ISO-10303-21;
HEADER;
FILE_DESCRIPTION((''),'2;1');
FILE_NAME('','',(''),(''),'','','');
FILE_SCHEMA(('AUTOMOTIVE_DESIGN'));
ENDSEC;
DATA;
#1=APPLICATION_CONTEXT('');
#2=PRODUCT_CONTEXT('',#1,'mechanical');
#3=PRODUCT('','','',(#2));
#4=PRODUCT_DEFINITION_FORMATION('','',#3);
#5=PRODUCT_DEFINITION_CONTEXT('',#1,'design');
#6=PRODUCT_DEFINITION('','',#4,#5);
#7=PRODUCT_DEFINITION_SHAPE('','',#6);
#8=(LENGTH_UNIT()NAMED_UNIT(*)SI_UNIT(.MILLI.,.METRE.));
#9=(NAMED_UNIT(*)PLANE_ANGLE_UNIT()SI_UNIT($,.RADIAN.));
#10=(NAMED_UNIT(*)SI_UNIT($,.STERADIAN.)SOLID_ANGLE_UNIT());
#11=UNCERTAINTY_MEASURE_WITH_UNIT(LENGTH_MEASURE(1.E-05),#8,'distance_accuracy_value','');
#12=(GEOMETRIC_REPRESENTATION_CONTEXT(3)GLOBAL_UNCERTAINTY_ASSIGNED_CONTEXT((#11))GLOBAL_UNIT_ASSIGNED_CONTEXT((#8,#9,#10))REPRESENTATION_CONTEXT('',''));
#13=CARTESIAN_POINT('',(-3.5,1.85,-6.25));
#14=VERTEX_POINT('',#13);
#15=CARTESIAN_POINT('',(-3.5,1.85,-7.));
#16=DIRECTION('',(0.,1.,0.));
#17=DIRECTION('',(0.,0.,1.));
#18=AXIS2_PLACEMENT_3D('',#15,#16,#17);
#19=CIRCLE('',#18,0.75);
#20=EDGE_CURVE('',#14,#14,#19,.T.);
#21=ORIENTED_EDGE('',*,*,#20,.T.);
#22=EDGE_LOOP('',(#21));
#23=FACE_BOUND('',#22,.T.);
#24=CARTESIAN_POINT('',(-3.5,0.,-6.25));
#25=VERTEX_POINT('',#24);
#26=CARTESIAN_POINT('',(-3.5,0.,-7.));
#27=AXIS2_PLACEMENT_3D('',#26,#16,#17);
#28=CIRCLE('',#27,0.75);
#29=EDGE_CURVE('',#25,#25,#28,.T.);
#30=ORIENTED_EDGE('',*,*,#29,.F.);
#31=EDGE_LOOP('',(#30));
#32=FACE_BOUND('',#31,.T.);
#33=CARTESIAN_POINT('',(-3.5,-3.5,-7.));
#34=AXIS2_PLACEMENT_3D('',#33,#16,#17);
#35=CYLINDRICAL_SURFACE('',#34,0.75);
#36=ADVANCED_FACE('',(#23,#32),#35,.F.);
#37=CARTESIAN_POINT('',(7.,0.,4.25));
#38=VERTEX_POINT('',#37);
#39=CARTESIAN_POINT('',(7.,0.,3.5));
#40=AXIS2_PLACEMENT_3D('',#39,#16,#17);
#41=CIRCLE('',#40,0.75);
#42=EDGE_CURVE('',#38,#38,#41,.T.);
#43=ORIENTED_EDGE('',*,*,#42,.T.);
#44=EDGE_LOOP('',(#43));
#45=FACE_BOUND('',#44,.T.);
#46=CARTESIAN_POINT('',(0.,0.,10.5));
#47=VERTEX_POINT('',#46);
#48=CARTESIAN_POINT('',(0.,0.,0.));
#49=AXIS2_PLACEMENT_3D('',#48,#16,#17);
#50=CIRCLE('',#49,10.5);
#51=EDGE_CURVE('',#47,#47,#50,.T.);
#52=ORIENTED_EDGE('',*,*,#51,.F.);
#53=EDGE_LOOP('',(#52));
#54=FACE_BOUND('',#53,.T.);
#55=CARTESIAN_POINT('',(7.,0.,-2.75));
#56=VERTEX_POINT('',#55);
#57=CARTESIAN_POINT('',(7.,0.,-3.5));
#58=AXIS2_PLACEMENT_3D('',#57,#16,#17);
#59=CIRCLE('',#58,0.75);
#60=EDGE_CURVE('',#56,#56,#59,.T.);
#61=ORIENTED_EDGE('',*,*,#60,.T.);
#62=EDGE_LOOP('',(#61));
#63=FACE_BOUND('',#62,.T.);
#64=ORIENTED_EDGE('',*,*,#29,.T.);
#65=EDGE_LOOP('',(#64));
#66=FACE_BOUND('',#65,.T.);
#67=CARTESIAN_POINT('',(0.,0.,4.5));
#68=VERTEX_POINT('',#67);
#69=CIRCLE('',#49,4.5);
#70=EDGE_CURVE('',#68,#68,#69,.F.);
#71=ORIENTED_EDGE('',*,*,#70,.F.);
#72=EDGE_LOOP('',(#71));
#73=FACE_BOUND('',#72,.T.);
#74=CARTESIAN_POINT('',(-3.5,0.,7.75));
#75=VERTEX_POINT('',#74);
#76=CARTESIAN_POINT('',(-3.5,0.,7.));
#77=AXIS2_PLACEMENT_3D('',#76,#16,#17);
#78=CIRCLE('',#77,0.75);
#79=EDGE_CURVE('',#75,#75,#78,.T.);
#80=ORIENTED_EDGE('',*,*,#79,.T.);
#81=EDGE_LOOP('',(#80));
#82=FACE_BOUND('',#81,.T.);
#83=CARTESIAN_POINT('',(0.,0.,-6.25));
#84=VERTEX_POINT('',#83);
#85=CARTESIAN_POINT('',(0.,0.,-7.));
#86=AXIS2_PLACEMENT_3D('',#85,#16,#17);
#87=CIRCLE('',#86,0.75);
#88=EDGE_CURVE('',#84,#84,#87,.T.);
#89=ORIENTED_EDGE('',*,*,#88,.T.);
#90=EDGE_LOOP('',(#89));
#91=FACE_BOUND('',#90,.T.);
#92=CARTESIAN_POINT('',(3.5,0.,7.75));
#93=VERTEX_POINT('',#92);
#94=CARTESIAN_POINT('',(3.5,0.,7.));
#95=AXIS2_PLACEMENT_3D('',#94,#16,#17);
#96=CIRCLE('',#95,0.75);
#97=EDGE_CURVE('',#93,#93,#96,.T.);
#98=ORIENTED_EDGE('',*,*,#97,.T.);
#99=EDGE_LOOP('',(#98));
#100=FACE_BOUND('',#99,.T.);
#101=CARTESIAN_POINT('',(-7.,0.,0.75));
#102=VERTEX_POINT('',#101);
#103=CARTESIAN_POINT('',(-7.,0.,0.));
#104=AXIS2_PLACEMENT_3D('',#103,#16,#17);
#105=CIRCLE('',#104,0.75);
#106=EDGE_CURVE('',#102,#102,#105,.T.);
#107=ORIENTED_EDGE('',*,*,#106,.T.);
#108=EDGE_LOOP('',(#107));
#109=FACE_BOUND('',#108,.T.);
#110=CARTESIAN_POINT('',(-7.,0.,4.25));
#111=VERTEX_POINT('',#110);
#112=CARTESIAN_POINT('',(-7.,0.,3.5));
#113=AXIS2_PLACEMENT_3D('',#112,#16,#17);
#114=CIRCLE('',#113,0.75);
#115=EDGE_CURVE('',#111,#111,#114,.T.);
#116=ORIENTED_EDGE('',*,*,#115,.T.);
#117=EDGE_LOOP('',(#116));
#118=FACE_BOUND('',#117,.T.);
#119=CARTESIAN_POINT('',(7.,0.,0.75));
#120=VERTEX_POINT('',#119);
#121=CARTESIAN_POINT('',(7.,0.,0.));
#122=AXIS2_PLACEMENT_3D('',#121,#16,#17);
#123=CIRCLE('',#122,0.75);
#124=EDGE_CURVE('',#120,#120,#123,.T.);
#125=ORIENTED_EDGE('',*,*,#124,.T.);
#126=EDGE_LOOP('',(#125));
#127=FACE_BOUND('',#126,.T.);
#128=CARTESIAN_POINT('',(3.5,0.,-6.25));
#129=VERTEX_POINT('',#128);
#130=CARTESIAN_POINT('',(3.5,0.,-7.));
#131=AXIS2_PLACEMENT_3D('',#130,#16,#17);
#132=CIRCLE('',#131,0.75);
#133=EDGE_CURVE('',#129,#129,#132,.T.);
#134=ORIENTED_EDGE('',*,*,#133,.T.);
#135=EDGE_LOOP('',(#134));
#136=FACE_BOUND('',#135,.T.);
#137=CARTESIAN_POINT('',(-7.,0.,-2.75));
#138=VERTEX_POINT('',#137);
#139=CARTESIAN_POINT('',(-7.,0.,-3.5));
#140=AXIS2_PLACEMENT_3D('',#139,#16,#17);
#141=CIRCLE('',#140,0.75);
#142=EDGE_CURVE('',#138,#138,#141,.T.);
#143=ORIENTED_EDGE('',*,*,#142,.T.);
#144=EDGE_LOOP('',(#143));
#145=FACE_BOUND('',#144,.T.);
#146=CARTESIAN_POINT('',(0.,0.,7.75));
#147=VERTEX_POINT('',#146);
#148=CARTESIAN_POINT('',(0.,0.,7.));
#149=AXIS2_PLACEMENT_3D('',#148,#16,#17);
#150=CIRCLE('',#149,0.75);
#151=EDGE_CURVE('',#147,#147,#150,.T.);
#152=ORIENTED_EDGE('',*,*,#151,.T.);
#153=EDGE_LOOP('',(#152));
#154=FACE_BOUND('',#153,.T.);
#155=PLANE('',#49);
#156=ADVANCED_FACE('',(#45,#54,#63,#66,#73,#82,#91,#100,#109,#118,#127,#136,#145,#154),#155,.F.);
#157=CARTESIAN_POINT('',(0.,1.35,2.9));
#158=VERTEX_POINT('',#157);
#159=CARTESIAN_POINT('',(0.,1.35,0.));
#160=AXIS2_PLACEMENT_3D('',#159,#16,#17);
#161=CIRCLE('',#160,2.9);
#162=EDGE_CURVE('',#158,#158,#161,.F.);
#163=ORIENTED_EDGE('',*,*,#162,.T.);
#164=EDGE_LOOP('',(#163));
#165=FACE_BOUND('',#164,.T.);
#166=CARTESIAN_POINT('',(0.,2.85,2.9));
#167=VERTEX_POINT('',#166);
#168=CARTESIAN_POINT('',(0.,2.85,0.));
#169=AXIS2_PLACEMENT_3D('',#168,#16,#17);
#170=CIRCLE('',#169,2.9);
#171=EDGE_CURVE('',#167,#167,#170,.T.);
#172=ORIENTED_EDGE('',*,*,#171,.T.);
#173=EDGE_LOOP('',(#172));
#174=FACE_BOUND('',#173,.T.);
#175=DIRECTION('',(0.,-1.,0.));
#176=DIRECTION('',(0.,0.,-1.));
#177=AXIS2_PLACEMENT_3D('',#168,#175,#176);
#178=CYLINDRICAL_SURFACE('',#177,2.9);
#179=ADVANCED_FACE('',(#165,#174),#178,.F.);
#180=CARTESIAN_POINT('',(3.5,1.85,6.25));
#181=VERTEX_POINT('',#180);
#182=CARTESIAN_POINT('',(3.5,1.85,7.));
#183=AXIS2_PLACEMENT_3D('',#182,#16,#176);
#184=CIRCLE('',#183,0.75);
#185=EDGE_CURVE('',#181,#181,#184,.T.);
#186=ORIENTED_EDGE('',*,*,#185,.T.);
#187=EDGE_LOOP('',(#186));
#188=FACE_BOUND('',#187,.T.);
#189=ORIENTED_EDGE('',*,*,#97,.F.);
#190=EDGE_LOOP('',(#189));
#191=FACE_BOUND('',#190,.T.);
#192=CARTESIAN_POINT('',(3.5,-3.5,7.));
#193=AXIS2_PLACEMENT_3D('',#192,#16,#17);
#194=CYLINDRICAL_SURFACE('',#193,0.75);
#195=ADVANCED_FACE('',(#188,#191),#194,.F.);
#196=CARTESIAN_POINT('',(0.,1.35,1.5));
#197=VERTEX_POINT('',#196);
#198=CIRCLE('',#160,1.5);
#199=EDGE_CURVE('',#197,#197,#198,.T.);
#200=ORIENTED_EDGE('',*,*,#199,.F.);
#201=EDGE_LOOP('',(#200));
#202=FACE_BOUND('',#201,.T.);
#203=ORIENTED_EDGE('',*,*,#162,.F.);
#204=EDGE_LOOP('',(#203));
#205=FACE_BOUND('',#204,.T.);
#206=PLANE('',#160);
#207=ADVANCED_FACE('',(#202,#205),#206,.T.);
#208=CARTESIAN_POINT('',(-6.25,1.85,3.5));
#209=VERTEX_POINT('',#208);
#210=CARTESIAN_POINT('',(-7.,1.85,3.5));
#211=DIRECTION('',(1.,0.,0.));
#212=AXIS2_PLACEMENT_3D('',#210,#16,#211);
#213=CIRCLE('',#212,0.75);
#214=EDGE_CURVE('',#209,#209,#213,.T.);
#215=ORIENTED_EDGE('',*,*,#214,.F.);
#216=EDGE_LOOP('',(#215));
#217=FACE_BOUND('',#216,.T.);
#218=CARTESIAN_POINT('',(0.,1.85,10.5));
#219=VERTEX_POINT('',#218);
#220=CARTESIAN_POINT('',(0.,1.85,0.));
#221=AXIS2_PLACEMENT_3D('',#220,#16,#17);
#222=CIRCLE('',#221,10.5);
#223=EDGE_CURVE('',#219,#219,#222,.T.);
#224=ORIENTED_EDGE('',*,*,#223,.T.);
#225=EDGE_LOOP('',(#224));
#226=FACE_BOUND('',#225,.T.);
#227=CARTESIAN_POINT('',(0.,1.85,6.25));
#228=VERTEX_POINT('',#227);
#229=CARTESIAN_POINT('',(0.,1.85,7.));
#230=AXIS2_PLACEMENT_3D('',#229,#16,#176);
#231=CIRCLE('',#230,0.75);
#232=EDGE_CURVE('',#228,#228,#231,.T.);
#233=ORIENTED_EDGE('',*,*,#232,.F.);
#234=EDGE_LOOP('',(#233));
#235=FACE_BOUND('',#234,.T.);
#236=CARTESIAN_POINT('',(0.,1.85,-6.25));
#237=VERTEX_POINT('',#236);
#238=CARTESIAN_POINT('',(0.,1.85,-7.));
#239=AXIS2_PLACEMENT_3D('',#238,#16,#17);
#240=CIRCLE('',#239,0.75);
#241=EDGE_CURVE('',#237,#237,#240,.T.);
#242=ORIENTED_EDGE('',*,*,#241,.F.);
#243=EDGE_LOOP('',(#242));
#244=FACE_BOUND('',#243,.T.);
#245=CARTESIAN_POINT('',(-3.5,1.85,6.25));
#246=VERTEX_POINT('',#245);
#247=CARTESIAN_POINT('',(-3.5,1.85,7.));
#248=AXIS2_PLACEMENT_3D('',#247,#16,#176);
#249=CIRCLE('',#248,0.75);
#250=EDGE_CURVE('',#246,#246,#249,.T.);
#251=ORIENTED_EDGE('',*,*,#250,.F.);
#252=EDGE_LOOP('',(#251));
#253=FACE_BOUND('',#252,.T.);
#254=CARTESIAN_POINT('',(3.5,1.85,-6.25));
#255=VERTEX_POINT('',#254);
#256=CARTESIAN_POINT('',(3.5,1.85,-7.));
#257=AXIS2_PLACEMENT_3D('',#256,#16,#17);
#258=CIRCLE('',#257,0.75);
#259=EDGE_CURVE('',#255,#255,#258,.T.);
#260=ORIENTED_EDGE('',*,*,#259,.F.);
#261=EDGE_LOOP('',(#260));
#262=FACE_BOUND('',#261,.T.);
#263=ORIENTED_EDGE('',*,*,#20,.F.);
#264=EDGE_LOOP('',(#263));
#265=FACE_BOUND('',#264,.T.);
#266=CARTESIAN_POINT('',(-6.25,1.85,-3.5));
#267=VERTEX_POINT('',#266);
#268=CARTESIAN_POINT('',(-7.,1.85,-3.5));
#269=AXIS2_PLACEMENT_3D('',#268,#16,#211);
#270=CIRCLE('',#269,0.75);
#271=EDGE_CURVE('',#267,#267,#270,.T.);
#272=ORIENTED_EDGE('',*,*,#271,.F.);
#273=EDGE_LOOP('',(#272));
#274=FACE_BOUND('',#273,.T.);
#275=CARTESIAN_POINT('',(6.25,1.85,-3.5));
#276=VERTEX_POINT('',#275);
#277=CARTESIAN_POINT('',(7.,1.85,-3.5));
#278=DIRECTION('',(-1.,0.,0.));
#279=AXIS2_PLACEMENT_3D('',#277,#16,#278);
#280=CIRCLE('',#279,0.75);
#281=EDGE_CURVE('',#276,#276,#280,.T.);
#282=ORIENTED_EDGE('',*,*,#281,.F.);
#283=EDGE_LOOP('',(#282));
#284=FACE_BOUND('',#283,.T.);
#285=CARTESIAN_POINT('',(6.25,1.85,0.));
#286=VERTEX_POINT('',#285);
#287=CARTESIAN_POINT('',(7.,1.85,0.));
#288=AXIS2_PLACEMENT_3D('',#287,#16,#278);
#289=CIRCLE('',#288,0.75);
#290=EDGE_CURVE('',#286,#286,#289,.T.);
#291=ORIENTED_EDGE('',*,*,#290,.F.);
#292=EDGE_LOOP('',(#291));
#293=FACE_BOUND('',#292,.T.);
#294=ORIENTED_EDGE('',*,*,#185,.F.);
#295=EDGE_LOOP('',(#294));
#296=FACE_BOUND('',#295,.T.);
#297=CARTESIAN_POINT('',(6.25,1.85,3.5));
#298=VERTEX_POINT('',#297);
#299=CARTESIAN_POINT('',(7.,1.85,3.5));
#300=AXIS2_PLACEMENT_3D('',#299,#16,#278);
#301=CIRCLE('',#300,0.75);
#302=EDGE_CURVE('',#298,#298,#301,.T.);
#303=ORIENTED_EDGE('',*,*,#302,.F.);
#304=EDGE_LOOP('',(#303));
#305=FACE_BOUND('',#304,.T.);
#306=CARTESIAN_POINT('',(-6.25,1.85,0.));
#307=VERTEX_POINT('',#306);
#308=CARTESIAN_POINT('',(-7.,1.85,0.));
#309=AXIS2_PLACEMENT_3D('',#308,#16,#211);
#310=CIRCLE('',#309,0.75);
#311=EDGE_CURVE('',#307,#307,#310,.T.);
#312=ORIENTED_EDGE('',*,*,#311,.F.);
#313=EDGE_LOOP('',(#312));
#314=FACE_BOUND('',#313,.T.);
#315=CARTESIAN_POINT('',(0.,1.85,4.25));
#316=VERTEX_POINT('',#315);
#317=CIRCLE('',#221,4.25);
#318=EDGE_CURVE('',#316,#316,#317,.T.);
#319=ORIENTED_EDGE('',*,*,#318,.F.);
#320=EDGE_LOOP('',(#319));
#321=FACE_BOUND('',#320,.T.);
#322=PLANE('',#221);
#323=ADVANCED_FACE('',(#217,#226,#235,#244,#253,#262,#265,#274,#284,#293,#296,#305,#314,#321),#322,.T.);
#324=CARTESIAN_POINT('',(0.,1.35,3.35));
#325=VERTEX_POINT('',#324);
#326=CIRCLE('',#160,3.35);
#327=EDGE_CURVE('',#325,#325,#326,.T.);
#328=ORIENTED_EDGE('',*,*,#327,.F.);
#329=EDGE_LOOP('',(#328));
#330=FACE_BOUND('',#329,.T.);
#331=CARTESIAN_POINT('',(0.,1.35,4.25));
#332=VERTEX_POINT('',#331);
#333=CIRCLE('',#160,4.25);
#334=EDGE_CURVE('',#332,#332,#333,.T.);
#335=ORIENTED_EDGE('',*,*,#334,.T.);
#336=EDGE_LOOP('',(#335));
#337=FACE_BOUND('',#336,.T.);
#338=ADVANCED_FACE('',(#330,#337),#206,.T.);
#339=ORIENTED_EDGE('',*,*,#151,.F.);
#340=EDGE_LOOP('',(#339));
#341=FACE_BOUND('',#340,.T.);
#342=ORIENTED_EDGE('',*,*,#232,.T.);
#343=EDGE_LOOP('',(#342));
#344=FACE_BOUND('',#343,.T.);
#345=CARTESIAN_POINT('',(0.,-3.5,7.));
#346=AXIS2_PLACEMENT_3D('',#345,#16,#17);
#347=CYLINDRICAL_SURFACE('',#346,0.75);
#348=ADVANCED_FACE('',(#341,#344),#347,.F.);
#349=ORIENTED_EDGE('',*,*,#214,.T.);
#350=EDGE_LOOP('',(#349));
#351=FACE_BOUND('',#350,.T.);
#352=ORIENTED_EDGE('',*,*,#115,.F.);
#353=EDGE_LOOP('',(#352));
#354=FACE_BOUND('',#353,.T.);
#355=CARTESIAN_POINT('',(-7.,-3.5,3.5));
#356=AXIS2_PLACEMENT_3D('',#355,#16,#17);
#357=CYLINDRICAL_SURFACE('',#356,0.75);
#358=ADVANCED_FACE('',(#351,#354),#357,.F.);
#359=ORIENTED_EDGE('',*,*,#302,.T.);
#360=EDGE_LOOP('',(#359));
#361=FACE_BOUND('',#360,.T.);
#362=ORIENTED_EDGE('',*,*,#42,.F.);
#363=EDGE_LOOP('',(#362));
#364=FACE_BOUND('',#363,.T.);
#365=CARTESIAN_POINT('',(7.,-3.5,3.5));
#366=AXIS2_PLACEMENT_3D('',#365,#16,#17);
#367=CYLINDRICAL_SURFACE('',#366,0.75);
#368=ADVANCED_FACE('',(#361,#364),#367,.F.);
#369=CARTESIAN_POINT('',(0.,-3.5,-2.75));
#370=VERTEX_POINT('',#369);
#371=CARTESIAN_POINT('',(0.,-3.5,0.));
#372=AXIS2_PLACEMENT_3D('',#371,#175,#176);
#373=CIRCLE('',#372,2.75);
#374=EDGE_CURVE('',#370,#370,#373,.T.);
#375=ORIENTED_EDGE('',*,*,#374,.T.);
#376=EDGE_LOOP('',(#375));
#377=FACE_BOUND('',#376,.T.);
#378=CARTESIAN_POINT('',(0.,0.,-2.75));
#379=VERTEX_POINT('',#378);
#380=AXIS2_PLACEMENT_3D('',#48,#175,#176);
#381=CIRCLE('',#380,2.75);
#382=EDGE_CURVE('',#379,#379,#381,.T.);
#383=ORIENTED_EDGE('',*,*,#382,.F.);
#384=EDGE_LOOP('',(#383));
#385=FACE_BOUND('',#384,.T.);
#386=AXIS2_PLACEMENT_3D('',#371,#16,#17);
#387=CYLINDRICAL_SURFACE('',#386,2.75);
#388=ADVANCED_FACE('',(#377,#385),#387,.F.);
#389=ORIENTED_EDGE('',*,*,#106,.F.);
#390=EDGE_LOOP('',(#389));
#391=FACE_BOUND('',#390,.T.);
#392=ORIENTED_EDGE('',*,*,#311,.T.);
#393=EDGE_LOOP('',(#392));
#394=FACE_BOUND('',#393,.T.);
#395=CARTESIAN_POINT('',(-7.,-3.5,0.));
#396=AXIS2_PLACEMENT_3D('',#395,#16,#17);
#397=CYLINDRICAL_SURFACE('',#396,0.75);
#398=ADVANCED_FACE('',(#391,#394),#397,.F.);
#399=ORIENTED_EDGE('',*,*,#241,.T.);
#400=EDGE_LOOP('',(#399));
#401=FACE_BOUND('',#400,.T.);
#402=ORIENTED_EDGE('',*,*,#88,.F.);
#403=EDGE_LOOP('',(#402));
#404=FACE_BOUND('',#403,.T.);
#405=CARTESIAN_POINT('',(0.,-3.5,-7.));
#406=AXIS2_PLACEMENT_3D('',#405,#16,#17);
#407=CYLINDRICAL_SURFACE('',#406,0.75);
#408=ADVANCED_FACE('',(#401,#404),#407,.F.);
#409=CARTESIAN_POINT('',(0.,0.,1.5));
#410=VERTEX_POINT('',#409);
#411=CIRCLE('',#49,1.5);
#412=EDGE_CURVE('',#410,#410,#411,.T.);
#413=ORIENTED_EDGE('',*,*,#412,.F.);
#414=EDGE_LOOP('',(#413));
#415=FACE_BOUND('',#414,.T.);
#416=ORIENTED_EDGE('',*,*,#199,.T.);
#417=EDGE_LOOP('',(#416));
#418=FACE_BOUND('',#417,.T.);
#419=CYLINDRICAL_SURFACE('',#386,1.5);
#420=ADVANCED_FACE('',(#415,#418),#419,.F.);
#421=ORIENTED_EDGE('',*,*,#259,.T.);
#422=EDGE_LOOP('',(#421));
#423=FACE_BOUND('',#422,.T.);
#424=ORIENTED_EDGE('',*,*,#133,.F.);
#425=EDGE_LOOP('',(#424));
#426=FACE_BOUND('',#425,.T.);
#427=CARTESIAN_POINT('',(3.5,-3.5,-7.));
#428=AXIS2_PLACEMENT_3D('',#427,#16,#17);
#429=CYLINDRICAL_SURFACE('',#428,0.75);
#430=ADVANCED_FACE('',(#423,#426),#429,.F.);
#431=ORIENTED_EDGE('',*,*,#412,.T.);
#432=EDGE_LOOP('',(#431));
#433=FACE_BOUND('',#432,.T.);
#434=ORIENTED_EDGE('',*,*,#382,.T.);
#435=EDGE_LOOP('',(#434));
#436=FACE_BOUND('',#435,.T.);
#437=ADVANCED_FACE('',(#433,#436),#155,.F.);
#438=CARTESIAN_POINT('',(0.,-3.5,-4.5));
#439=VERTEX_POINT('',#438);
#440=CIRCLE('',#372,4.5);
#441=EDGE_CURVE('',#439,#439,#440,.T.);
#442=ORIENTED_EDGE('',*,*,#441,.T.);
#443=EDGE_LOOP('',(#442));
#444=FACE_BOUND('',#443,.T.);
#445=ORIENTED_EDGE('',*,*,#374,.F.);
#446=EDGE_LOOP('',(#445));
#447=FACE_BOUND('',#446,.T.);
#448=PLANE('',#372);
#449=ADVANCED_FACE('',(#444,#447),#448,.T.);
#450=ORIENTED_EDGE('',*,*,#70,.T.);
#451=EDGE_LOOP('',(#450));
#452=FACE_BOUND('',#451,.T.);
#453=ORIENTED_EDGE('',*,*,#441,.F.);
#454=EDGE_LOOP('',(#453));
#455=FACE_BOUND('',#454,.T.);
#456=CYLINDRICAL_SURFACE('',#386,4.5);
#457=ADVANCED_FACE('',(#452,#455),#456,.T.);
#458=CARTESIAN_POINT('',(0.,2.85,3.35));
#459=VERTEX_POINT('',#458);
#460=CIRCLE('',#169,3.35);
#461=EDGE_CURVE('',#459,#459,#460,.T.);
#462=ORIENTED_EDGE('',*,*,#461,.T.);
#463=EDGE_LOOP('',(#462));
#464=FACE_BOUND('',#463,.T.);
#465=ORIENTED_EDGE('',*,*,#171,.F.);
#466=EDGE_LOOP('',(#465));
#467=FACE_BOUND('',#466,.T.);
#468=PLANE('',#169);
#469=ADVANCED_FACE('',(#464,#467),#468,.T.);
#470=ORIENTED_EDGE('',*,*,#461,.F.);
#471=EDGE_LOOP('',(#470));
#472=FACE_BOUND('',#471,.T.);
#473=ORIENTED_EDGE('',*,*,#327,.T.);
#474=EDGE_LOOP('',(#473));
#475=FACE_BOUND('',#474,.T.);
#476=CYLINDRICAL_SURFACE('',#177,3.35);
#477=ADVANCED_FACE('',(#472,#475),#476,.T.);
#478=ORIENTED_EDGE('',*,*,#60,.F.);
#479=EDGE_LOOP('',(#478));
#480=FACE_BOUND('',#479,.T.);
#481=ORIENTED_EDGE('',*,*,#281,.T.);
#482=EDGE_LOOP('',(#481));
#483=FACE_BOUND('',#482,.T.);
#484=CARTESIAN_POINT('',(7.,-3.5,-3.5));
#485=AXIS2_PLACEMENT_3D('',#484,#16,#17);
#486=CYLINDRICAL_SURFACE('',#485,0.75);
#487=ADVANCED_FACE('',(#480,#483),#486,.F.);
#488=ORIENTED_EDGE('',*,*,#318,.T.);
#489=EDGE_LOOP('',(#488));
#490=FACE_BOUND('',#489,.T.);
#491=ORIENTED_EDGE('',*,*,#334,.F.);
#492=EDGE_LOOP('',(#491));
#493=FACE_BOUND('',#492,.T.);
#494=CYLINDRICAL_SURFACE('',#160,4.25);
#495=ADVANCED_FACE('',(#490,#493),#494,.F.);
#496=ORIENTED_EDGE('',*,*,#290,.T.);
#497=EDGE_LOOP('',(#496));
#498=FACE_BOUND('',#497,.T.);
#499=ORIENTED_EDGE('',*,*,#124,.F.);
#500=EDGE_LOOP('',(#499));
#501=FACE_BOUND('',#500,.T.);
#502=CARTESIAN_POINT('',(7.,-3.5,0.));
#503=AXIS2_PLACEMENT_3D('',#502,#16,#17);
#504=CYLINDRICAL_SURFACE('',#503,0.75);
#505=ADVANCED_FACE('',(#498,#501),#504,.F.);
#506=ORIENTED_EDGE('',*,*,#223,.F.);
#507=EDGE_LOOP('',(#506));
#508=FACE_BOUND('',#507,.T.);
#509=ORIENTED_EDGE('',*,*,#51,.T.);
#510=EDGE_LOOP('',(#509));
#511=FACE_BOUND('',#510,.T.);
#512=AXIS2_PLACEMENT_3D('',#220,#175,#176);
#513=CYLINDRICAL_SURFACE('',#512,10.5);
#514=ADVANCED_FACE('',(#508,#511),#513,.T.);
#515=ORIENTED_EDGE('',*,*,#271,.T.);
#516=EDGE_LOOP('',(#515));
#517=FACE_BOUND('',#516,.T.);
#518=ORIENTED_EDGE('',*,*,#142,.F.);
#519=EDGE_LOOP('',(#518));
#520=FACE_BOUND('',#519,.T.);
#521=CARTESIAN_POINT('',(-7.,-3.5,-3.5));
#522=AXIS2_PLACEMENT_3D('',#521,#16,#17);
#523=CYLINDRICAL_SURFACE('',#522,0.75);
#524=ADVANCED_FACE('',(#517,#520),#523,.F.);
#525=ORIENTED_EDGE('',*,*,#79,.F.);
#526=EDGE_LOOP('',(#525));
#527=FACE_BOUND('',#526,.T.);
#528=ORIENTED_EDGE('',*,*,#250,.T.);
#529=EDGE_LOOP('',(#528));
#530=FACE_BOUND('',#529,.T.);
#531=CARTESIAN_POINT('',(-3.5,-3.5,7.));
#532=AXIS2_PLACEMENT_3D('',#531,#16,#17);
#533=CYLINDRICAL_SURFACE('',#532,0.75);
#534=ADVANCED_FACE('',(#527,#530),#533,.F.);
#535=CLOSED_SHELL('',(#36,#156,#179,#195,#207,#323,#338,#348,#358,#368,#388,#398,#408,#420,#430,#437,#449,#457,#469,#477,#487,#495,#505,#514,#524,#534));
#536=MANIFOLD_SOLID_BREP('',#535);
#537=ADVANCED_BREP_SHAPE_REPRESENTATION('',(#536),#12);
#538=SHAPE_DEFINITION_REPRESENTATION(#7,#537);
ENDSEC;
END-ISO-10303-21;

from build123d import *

# Parameters (mm, degrees)
SKETCH1_R           = 10.5
BOSS_EXTRUDE1_DEPTH = 1.85
SKETCH2_R           = 4.25
CUT_EXTRUDE1_DEPTH  = 0.5
SKETCH3_R           = 3.35
SKETCH3_R_2         = 2.9
BOSS_EXTRUDE2_DEPTH = 1.5
SKETCH4_R           = 4.5
SKETCH4_R_2         = 2.75
BOSS_EXTRUDE3_DEPTH = 3.5
SKETCH5_R           = 1.5
CUT_EXTRUDE2_DEPTH  = 5.85
SKETCH6_R           = 0.75
CUT_EXTRUDE3_DEPTH  = 6.35
CIRPATTERN1_COUNT   = 4


with BuildPart() as part:
    # Sketch1 → Boss-Extrude1 (new body)
    with BuildSketch(Plane(origin=(0, 0, 0), x_dir=(1, 0, 0), z_dir=(0, 1, 0))):
        Circle(SKETCH1_R)
    extrude(amount=BOSS_EXTRUDE1_DEPTH)

    # Sketch2 → Cut-Extrude1 (cut)
    with BuildSketch(Plane(origin=(0, 1.85, 0), x_dir=(1, 0, 0), z_dir=(0, 1, 0))):
        Circle(SKETCH2_R)
    extrude(amount=-CUT_EXTRUDE1_DEPTH, mode=Mode.SUBTRACT)

    # Sketch3 → Boss-Extrude2 (add)
    with BuildSketch(Plane(origin=(0, 1.35, 0), x_dir=(1, 0, 0), z_dir=(0, 1, 0))):
        Circle(SKETCH3_R)
        Circle(SKETCH3_R_2, mode=Mode.SUBTRACT)
    extrude(amount=BOSS_EXTRUDE2_DEPTH)

    # Sketch4 → Boss-Extrude3 (add)
    with BuildSketch(Plane.XZ):
        Circle(SKETCH4_R)
        Circle(SKETCH4_R_2, mode=Mode.SUBTRACT)
    extrude(amount=BOSS_EXTRUDE3_DEPTH)

    # Sketch5 → Cut-Extrude2 (cut, through all)
    with BuildSketch(Plane(origin=(0, 1.35, 0), x_dir=(1, 0, 0), z_dir=(0, 1, 0))):
        Circle(SKETCH5_R)
    extrude(amount=-CUT_EXTRUDE2_DEPTH, mode=Mode.SUBTRACT)

    # Sketch6 → Cut-Extrude3 (cut, through all)
    with BuildSketch(Plane(origin=(0, 1.85, 0), x_dir=(1, 0, 0), z_dir=(0, 1, 0))):
        with Locations((-3.5, 7)):
            Circle(SKETCH6_R)
        with Locations((0, 7)):
            Circle(SKETCH6_R)
        with Locations((3.5, 7)):
            Circle(SKETCH6_R)
    cut_extrude3 = extrude(amount=-CUT_EXTRUDE3_DEPTH, mode=Mode.SUBTRACT)

    # CirPattern1: Cut-Extrude3 ×4 about axis
    cirpattern1_axis = Axis((0, 0, 0), (0, 1, 0))
    for i in range(1, CIRPATTERN1_COUNT):
        add(cut_extrude3.rotate(cirpattern1_axis, i * 360 / CIRPATTERN1_COUNT), mode=Mode.SUBTRACT)


solid = part.part
